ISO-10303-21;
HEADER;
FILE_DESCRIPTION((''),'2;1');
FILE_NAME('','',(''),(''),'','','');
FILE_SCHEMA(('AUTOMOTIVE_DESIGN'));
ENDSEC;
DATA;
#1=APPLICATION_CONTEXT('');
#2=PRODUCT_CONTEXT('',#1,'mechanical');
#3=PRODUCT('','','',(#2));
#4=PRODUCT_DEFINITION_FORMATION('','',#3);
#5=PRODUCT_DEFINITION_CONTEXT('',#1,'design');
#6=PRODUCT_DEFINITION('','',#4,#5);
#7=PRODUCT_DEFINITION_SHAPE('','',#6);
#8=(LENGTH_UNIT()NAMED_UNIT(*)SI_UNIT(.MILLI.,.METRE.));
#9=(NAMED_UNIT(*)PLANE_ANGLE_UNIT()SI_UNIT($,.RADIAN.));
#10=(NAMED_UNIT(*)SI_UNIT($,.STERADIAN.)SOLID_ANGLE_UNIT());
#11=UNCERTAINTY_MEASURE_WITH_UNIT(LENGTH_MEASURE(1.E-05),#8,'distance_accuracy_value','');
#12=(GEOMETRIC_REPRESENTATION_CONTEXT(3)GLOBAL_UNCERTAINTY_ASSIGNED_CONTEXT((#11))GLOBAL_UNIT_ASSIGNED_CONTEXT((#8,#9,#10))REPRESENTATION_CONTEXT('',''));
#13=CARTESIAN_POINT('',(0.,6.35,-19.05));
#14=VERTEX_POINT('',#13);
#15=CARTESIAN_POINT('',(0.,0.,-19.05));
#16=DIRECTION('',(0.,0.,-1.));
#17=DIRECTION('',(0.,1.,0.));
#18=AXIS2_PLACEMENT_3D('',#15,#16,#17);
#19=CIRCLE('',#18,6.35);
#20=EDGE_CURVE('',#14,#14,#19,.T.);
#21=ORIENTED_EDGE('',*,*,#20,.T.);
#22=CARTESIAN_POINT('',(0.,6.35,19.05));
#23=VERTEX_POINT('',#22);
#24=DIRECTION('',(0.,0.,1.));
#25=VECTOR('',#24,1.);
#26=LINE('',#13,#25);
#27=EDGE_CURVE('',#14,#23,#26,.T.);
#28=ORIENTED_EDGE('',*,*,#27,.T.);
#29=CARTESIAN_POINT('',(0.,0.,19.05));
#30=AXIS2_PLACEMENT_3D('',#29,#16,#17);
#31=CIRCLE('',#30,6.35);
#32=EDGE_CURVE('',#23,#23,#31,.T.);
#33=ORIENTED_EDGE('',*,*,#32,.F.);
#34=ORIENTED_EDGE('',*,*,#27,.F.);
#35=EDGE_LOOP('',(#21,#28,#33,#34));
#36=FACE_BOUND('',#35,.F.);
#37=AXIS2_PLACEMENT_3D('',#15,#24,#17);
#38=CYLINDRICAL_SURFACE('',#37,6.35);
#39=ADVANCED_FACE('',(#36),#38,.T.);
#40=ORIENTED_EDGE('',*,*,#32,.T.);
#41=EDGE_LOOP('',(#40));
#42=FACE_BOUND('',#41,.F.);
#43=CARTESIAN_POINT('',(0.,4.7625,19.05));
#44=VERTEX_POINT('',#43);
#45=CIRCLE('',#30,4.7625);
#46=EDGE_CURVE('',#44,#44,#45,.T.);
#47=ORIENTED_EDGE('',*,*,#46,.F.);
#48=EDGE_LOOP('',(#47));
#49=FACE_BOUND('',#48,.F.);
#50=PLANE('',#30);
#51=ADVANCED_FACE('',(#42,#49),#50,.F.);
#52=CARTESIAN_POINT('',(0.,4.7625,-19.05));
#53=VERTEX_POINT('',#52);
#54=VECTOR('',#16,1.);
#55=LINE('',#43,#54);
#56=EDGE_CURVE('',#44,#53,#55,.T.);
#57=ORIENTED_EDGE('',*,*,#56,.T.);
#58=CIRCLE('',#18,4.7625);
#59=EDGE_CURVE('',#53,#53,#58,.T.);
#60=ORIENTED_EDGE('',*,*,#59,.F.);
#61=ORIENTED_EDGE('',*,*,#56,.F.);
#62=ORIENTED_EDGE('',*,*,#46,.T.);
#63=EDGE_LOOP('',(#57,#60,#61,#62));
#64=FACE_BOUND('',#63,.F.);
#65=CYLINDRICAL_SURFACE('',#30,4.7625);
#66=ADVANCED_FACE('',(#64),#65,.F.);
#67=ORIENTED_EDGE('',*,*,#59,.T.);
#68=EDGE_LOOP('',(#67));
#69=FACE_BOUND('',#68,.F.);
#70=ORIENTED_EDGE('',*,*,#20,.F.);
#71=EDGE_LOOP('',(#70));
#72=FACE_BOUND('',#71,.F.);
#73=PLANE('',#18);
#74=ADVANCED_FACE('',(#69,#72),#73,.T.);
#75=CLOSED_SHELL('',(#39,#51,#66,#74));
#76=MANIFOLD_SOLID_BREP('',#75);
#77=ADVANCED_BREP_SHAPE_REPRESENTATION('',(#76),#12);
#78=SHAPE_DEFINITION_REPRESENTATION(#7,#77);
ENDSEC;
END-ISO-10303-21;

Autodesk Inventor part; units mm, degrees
sketch "Sketch_1" plane through (0, 0, 0) normal (1, 0, 0) x (0, 1, 0)
  line L0 (0, -19.05) -> (0, 19.05)
  line L1 (4.7625, 19.05) -> (4.7625, -19.05)
  line L2 (4.7625, -19.05) -> (6.35, -19.05)
  line L3 (6.35, -19.05) -> (6.35, 19.05)
  line L4 (6.35, 19.05) -> (4.7625, 19.05)
revolve "Revolution1" add sketch "Sketch_1" angle 360 about axis through (0, 0, -19.05) along (0, 0, -1)
ref_plane "spanner_XY" through (0, 0, 0) normal (0, 0, 1) x (1, 0, 0)
ref_plane "spanner_YZ" through (0, 0, 0) normal (1, 0, 0) x (0, 1, 0)
ref_plane "spanner_ZX" through (0, 0, 0) normal (0, 1, 0) x (0, 0, 1)
properties part number "52008.43"
